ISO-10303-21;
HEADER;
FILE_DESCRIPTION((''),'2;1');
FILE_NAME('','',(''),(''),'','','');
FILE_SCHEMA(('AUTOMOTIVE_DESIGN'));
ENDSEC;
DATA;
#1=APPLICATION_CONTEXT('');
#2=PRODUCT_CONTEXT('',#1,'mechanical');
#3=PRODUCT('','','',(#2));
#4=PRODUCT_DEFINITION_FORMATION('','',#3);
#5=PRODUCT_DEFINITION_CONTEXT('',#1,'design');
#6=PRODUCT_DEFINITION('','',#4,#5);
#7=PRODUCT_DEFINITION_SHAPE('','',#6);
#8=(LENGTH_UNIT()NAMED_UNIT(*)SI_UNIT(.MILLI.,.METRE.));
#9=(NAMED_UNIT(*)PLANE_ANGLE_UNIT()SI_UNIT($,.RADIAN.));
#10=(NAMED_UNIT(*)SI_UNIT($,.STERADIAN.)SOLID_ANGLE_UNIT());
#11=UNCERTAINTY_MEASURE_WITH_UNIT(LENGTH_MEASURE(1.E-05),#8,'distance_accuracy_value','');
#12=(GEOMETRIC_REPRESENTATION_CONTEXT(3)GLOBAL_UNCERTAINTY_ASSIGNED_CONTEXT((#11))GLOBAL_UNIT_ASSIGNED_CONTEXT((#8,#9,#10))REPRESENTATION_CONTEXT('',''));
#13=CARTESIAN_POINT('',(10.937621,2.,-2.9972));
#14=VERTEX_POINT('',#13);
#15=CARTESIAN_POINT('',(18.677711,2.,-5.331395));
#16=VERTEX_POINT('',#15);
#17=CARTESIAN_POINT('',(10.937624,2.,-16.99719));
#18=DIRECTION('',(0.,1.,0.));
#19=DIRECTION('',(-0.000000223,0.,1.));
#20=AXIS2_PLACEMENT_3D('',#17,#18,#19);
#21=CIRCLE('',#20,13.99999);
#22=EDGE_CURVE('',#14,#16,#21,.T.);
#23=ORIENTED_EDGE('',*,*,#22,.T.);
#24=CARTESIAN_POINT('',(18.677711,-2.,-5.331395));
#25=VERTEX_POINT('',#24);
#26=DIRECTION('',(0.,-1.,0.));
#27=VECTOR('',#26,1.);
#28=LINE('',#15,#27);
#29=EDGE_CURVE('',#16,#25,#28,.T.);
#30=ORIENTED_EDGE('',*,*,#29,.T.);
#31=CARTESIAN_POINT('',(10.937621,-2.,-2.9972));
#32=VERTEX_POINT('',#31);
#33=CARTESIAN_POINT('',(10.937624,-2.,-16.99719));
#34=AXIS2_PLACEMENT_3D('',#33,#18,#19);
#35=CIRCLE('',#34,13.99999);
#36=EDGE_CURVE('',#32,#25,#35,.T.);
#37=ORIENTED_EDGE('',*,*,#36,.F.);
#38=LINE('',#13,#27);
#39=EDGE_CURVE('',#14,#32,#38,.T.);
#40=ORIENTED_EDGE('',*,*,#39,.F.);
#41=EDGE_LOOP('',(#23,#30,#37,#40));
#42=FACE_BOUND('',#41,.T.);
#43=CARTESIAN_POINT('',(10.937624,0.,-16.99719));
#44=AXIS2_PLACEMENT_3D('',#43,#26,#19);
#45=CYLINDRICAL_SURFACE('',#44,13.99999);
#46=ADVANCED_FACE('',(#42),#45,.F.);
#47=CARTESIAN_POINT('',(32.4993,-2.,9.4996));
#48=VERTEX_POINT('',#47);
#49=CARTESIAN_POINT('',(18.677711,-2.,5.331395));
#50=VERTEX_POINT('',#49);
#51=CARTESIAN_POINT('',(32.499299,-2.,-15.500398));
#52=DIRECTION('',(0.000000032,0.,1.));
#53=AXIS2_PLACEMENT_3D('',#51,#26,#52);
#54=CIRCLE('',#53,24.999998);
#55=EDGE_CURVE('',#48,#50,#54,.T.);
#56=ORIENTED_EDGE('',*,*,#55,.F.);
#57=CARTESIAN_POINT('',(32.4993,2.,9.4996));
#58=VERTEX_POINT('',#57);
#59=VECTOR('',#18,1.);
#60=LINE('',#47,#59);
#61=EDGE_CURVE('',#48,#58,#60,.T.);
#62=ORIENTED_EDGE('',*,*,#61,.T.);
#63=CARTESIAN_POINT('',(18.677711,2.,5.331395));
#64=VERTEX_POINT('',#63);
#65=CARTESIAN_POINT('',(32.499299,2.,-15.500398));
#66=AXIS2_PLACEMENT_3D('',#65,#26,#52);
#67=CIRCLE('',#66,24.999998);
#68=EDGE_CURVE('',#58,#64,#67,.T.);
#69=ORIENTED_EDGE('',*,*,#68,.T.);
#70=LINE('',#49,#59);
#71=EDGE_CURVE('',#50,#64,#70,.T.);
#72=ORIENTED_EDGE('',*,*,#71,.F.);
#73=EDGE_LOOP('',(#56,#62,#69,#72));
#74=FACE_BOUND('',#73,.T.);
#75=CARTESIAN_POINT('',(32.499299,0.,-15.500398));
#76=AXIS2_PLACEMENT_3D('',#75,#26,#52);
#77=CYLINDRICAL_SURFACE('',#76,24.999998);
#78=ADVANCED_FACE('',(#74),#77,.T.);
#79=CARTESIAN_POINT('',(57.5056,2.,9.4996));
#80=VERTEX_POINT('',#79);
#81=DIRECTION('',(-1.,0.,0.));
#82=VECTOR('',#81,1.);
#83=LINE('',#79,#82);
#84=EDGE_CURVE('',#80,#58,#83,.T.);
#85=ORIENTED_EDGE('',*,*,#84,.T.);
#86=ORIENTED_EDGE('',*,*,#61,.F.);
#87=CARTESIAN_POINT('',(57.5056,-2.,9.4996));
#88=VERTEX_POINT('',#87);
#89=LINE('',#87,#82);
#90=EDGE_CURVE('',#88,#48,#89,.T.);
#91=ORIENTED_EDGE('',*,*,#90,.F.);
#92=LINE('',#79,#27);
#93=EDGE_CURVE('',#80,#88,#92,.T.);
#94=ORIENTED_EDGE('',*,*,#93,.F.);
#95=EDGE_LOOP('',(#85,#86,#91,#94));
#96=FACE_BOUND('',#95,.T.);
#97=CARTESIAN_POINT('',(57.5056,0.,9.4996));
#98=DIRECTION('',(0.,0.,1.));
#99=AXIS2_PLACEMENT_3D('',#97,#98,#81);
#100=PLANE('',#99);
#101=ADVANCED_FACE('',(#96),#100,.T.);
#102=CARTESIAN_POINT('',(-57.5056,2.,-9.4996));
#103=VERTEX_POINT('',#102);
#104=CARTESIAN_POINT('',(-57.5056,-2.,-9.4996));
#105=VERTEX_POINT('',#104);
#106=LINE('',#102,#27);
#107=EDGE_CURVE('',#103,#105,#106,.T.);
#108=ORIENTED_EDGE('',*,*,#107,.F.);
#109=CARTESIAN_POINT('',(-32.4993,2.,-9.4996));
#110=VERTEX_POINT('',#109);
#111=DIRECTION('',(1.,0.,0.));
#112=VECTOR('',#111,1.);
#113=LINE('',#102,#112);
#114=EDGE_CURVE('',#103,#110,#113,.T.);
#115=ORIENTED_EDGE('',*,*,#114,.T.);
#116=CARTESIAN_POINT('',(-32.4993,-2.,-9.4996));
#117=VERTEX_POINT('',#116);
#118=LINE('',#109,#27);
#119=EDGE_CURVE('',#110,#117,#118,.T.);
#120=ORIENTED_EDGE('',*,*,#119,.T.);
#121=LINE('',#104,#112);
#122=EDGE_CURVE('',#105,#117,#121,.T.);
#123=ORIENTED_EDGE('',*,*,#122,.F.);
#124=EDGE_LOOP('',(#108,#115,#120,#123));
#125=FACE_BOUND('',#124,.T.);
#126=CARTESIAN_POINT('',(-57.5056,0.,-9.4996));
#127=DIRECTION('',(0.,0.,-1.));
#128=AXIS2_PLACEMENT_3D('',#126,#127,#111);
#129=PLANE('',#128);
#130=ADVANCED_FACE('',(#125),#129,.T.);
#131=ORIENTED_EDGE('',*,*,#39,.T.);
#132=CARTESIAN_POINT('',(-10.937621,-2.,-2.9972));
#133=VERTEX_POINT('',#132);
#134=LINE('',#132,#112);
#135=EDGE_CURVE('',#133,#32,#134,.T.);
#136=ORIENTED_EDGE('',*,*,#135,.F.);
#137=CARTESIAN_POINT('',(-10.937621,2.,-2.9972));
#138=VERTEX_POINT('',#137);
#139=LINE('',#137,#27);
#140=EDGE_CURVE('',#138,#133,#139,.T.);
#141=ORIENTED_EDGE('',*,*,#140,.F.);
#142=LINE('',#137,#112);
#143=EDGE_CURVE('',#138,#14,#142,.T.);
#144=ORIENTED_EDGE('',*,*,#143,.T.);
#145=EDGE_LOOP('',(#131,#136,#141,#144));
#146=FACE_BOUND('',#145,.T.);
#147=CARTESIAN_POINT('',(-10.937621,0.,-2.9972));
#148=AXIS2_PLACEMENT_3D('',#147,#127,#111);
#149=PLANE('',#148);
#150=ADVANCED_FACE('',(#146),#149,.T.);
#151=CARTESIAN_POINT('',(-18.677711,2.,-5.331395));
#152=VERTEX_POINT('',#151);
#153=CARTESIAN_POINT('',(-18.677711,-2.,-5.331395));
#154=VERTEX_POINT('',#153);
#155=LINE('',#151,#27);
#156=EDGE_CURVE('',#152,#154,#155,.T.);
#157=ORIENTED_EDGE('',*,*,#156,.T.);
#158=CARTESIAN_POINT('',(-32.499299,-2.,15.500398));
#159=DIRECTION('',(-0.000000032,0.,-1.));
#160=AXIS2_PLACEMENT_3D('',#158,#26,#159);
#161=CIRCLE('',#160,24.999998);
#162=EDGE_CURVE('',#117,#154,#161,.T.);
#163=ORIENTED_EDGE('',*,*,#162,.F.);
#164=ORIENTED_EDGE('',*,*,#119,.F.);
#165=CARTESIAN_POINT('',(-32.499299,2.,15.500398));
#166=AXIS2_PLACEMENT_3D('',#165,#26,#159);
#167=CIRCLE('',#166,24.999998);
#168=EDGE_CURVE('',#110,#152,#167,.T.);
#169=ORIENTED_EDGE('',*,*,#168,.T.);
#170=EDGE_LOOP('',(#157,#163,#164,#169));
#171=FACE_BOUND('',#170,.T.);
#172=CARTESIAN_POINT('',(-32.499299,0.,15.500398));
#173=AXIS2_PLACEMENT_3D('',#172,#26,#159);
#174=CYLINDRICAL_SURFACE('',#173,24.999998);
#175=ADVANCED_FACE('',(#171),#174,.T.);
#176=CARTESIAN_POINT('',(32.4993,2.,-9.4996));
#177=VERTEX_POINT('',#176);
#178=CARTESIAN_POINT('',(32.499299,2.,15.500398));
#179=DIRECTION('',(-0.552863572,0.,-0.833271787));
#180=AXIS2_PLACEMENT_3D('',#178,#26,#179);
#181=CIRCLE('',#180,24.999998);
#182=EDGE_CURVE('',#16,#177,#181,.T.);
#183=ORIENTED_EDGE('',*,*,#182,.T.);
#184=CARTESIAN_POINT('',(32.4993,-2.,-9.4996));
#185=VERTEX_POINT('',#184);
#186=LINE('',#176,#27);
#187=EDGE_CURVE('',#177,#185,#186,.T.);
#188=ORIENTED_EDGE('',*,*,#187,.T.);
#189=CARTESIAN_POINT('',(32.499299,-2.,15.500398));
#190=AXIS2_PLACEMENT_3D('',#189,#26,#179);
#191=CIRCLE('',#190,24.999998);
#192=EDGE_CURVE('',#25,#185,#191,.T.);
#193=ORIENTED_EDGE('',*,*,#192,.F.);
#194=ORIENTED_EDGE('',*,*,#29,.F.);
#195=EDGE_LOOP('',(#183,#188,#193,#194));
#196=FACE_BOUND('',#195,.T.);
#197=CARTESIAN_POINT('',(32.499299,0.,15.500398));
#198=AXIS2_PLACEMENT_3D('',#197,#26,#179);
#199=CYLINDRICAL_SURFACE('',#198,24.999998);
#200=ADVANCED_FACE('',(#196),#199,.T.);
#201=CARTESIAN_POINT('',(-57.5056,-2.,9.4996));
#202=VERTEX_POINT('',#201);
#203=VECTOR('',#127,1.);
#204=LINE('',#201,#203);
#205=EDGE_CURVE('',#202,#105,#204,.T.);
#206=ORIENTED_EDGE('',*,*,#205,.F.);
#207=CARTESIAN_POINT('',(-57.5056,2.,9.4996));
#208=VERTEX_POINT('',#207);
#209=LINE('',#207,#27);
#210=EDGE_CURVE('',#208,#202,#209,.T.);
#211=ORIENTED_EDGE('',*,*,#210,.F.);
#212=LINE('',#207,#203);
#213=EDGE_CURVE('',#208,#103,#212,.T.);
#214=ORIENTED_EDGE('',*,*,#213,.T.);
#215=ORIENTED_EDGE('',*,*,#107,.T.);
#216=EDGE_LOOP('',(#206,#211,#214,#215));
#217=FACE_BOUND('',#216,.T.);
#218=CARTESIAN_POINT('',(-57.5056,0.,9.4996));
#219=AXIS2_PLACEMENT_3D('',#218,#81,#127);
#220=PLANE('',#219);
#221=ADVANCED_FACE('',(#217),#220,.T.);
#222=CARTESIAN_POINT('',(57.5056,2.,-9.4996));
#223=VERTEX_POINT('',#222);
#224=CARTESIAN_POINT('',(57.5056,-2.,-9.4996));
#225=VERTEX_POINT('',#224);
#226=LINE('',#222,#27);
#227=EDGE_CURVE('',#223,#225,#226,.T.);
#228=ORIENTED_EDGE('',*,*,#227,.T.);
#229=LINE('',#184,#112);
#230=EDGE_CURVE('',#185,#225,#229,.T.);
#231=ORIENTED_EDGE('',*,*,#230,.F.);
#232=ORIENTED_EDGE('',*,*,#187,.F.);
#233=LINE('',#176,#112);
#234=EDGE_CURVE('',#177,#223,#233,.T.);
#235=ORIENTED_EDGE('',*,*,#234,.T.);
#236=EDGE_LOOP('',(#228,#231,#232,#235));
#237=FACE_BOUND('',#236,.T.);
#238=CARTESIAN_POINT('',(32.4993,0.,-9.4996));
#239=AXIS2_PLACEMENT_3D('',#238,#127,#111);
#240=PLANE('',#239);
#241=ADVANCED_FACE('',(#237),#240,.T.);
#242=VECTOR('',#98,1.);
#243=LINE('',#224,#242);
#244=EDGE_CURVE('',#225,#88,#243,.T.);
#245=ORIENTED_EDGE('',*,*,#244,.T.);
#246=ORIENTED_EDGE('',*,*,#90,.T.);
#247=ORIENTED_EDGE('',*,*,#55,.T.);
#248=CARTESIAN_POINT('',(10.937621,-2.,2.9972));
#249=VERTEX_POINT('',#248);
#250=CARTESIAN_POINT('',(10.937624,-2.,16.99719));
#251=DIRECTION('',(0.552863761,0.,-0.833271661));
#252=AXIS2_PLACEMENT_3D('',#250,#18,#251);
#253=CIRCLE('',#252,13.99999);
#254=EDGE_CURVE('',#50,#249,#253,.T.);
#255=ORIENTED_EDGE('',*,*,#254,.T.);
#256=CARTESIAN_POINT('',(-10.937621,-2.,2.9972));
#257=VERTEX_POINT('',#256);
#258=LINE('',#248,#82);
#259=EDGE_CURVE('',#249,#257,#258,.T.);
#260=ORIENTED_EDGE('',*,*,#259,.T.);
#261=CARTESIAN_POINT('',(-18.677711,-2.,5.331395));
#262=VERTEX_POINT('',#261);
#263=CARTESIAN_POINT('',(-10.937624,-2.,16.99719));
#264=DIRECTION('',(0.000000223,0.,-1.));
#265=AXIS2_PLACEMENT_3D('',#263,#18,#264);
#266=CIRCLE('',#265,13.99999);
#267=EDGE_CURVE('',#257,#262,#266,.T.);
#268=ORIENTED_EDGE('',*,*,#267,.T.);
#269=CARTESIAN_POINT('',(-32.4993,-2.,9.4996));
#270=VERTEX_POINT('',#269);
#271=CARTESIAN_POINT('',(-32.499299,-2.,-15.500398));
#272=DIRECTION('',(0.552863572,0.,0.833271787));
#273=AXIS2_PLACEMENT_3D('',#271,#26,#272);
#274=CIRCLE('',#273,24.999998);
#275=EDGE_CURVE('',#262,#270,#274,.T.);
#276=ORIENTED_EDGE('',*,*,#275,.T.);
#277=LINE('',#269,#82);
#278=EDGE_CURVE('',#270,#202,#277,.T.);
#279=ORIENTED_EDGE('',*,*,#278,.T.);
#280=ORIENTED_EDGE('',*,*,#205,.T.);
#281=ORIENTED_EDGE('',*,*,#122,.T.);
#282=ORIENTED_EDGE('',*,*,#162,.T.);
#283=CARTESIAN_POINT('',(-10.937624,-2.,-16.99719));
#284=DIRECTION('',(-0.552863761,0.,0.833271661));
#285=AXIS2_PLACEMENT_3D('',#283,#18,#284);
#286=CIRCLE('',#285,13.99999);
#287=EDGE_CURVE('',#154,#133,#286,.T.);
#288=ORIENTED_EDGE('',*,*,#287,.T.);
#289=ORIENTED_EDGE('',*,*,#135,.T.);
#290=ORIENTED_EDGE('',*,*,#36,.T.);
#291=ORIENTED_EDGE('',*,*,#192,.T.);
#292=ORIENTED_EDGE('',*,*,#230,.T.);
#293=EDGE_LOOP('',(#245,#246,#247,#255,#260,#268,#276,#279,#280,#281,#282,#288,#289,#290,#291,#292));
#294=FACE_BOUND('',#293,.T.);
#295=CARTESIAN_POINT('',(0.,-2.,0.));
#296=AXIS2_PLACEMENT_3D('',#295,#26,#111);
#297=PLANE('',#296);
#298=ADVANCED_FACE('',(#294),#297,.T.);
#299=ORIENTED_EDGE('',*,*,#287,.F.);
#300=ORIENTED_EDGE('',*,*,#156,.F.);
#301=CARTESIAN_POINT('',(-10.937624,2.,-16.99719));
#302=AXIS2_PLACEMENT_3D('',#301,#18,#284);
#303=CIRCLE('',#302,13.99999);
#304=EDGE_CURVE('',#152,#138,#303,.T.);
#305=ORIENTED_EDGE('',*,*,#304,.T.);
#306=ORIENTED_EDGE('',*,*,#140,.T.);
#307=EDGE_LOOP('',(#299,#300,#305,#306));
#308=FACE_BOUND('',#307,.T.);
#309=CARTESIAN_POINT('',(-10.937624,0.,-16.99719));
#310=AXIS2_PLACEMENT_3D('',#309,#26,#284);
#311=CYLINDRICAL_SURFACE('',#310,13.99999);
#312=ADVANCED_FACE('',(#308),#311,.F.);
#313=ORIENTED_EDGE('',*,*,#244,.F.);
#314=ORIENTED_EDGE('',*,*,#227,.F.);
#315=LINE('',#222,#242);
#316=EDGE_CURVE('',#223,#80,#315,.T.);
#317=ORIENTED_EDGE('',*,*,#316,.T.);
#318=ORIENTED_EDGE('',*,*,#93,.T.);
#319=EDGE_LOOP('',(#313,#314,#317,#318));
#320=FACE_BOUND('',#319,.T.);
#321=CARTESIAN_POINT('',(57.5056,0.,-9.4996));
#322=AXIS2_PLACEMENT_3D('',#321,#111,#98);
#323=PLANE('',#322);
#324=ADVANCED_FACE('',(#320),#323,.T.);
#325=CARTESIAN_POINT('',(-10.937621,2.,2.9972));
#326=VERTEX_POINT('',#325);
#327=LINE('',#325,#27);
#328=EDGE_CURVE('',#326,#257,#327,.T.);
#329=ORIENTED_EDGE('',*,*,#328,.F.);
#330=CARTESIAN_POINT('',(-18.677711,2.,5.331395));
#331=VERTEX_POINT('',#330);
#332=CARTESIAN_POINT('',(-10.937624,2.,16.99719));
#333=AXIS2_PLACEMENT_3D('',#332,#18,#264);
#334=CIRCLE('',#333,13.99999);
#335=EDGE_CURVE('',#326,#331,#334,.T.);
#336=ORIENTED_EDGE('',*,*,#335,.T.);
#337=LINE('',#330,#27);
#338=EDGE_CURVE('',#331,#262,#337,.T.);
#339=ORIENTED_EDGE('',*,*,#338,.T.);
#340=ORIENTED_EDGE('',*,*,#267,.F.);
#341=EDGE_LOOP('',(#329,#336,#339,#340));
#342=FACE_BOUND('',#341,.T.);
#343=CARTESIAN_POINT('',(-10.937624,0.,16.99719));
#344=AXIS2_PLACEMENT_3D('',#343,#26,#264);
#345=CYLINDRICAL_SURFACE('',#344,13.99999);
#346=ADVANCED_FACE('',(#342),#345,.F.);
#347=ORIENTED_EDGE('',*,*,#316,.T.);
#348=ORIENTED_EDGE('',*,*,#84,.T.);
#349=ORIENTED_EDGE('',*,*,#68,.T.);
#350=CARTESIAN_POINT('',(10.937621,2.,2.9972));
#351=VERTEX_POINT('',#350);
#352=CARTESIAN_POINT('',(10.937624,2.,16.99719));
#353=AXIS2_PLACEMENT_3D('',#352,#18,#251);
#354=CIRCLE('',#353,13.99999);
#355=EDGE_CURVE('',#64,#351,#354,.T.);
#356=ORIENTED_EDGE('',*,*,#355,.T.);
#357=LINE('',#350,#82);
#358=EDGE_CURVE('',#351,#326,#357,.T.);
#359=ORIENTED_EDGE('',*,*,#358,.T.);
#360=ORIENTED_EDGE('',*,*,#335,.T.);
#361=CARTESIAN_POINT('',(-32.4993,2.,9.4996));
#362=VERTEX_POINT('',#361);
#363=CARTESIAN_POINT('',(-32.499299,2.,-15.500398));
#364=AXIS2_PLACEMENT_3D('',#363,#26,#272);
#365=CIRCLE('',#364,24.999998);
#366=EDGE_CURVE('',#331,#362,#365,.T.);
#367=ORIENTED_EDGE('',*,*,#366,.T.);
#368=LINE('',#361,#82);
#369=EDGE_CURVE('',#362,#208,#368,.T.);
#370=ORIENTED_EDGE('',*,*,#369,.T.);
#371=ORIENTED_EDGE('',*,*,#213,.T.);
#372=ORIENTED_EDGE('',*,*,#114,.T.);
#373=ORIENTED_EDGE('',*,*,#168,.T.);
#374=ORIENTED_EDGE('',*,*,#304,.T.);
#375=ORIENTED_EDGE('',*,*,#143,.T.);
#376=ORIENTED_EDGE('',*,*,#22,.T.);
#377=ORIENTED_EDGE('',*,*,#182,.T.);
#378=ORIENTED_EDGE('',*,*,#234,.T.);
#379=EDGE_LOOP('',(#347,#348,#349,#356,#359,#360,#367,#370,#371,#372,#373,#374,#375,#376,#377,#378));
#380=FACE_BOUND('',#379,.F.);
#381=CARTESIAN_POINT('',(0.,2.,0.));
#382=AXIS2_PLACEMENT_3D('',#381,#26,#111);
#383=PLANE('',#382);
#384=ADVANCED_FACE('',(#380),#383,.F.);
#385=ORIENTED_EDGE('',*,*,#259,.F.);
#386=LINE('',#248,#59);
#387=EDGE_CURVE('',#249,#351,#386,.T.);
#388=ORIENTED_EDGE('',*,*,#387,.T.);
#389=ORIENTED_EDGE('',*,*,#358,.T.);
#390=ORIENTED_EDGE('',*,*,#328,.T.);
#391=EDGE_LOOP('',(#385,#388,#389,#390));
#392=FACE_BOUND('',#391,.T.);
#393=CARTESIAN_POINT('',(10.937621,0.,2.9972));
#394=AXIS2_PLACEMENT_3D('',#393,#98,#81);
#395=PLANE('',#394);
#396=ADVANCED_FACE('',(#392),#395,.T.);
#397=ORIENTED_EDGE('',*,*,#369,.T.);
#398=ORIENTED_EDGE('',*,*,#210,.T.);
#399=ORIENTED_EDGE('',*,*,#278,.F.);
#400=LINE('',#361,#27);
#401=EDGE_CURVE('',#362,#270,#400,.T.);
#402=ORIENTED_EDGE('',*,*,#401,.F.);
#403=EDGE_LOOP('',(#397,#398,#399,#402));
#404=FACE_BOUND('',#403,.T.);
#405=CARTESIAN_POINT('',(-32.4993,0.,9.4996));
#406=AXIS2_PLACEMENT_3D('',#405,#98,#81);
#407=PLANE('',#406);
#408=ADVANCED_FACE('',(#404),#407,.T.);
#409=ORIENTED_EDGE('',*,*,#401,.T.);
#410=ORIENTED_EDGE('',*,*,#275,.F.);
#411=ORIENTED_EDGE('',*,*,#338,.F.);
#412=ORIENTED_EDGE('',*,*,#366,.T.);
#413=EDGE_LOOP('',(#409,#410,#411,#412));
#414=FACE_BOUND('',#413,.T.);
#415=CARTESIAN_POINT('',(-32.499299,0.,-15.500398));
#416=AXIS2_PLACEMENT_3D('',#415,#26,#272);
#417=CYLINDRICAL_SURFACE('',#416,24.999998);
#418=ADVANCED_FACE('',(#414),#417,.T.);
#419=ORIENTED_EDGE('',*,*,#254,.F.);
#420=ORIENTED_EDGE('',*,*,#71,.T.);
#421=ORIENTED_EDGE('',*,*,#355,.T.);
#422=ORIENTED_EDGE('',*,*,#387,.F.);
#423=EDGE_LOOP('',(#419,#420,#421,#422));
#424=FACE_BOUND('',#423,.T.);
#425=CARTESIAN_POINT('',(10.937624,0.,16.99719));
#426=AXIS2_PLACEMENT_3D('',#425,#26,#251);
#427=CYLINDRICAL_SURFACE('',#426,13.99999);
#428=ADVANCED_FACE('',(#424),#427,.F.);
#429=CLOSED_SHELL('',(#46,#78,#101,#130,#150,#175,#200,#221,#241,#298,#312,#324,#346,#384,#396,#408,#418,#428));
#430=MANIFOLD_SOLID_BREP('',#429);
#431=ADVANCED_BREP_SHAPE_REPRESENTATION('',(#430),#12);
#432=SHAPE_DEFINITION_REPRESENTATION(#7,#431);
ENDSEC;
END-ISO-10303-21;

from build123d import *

# Parameters (mm, degrees)
F1_DEPTH = 2


with BuildPart() as f1:
    # F0 (on Front) → F1 (new body, symmetric)
    with BuildSketch(Plane.XZ):
        with BuildLine():
            Line((10.937621, 2.9972), (0, 2.9972))
            Line((0, 2.9972), (-10.937621, 2.9972))
            ThreePointArc((-10.937621, 2.9972), (-14.979819, 3.593445), (-18.677711, 5.331395))
            ThreePointArc((-18.677711, 5.331395), (-25.281089, 8.434876), (-32.4993, 9.4996))
            Line((-32.4993, 9.4996), (-57.5056, 9.4996))
            Line((-57.5056, 9.4996), (-57.5056, 0))
            Line((-57.5056, 0), (-57.5056, -9.4996))
            Line((-57.5056, -9.4996), (-32.4993, -9.4996))
            ThreePointArc((-32.4993, -9.4996), (-25.281089, -8.434876), (-18.677711, -5.331395))
            ThreePointArc((-18.677711, -5.331395), (-14.979819, -3.593445), (-10.937621, -2.9972))
            Line((-10.937621, -2.9972), (0, -2.9972))
            Line((0, -2.9972), (10.937621, -2.9972))
            ThreePointArc((10.937621, -2.9972), (14.979819, -3.593445), (18.677711, -5.331395))
            ThreePointArc((18.677711, -5.331395), (25.281089, -8.434876), (32.4993, -9.4996))
            Line((32.4993, -9.4996), (57.5056, -9.4996))
            Line((57.5056, -9.4996), (57.5056, 0))
            Line((57.5056, 0), (57.5056, 9.4996))
            Line((57.5056, 9.4996), (32.4993, 9.4996))
            ThreePointArc((32.4993, 9.4996), (25.281089, 8.434876), (18.677711, 5.331395))
            ThreePointArc((18.677711, 5.331395), (14.979819, 3.593445), (10.937621, 2.9972))
        make_face()
    extrude(amount=F1_DEPTH, both=True)


solid = f1.part
